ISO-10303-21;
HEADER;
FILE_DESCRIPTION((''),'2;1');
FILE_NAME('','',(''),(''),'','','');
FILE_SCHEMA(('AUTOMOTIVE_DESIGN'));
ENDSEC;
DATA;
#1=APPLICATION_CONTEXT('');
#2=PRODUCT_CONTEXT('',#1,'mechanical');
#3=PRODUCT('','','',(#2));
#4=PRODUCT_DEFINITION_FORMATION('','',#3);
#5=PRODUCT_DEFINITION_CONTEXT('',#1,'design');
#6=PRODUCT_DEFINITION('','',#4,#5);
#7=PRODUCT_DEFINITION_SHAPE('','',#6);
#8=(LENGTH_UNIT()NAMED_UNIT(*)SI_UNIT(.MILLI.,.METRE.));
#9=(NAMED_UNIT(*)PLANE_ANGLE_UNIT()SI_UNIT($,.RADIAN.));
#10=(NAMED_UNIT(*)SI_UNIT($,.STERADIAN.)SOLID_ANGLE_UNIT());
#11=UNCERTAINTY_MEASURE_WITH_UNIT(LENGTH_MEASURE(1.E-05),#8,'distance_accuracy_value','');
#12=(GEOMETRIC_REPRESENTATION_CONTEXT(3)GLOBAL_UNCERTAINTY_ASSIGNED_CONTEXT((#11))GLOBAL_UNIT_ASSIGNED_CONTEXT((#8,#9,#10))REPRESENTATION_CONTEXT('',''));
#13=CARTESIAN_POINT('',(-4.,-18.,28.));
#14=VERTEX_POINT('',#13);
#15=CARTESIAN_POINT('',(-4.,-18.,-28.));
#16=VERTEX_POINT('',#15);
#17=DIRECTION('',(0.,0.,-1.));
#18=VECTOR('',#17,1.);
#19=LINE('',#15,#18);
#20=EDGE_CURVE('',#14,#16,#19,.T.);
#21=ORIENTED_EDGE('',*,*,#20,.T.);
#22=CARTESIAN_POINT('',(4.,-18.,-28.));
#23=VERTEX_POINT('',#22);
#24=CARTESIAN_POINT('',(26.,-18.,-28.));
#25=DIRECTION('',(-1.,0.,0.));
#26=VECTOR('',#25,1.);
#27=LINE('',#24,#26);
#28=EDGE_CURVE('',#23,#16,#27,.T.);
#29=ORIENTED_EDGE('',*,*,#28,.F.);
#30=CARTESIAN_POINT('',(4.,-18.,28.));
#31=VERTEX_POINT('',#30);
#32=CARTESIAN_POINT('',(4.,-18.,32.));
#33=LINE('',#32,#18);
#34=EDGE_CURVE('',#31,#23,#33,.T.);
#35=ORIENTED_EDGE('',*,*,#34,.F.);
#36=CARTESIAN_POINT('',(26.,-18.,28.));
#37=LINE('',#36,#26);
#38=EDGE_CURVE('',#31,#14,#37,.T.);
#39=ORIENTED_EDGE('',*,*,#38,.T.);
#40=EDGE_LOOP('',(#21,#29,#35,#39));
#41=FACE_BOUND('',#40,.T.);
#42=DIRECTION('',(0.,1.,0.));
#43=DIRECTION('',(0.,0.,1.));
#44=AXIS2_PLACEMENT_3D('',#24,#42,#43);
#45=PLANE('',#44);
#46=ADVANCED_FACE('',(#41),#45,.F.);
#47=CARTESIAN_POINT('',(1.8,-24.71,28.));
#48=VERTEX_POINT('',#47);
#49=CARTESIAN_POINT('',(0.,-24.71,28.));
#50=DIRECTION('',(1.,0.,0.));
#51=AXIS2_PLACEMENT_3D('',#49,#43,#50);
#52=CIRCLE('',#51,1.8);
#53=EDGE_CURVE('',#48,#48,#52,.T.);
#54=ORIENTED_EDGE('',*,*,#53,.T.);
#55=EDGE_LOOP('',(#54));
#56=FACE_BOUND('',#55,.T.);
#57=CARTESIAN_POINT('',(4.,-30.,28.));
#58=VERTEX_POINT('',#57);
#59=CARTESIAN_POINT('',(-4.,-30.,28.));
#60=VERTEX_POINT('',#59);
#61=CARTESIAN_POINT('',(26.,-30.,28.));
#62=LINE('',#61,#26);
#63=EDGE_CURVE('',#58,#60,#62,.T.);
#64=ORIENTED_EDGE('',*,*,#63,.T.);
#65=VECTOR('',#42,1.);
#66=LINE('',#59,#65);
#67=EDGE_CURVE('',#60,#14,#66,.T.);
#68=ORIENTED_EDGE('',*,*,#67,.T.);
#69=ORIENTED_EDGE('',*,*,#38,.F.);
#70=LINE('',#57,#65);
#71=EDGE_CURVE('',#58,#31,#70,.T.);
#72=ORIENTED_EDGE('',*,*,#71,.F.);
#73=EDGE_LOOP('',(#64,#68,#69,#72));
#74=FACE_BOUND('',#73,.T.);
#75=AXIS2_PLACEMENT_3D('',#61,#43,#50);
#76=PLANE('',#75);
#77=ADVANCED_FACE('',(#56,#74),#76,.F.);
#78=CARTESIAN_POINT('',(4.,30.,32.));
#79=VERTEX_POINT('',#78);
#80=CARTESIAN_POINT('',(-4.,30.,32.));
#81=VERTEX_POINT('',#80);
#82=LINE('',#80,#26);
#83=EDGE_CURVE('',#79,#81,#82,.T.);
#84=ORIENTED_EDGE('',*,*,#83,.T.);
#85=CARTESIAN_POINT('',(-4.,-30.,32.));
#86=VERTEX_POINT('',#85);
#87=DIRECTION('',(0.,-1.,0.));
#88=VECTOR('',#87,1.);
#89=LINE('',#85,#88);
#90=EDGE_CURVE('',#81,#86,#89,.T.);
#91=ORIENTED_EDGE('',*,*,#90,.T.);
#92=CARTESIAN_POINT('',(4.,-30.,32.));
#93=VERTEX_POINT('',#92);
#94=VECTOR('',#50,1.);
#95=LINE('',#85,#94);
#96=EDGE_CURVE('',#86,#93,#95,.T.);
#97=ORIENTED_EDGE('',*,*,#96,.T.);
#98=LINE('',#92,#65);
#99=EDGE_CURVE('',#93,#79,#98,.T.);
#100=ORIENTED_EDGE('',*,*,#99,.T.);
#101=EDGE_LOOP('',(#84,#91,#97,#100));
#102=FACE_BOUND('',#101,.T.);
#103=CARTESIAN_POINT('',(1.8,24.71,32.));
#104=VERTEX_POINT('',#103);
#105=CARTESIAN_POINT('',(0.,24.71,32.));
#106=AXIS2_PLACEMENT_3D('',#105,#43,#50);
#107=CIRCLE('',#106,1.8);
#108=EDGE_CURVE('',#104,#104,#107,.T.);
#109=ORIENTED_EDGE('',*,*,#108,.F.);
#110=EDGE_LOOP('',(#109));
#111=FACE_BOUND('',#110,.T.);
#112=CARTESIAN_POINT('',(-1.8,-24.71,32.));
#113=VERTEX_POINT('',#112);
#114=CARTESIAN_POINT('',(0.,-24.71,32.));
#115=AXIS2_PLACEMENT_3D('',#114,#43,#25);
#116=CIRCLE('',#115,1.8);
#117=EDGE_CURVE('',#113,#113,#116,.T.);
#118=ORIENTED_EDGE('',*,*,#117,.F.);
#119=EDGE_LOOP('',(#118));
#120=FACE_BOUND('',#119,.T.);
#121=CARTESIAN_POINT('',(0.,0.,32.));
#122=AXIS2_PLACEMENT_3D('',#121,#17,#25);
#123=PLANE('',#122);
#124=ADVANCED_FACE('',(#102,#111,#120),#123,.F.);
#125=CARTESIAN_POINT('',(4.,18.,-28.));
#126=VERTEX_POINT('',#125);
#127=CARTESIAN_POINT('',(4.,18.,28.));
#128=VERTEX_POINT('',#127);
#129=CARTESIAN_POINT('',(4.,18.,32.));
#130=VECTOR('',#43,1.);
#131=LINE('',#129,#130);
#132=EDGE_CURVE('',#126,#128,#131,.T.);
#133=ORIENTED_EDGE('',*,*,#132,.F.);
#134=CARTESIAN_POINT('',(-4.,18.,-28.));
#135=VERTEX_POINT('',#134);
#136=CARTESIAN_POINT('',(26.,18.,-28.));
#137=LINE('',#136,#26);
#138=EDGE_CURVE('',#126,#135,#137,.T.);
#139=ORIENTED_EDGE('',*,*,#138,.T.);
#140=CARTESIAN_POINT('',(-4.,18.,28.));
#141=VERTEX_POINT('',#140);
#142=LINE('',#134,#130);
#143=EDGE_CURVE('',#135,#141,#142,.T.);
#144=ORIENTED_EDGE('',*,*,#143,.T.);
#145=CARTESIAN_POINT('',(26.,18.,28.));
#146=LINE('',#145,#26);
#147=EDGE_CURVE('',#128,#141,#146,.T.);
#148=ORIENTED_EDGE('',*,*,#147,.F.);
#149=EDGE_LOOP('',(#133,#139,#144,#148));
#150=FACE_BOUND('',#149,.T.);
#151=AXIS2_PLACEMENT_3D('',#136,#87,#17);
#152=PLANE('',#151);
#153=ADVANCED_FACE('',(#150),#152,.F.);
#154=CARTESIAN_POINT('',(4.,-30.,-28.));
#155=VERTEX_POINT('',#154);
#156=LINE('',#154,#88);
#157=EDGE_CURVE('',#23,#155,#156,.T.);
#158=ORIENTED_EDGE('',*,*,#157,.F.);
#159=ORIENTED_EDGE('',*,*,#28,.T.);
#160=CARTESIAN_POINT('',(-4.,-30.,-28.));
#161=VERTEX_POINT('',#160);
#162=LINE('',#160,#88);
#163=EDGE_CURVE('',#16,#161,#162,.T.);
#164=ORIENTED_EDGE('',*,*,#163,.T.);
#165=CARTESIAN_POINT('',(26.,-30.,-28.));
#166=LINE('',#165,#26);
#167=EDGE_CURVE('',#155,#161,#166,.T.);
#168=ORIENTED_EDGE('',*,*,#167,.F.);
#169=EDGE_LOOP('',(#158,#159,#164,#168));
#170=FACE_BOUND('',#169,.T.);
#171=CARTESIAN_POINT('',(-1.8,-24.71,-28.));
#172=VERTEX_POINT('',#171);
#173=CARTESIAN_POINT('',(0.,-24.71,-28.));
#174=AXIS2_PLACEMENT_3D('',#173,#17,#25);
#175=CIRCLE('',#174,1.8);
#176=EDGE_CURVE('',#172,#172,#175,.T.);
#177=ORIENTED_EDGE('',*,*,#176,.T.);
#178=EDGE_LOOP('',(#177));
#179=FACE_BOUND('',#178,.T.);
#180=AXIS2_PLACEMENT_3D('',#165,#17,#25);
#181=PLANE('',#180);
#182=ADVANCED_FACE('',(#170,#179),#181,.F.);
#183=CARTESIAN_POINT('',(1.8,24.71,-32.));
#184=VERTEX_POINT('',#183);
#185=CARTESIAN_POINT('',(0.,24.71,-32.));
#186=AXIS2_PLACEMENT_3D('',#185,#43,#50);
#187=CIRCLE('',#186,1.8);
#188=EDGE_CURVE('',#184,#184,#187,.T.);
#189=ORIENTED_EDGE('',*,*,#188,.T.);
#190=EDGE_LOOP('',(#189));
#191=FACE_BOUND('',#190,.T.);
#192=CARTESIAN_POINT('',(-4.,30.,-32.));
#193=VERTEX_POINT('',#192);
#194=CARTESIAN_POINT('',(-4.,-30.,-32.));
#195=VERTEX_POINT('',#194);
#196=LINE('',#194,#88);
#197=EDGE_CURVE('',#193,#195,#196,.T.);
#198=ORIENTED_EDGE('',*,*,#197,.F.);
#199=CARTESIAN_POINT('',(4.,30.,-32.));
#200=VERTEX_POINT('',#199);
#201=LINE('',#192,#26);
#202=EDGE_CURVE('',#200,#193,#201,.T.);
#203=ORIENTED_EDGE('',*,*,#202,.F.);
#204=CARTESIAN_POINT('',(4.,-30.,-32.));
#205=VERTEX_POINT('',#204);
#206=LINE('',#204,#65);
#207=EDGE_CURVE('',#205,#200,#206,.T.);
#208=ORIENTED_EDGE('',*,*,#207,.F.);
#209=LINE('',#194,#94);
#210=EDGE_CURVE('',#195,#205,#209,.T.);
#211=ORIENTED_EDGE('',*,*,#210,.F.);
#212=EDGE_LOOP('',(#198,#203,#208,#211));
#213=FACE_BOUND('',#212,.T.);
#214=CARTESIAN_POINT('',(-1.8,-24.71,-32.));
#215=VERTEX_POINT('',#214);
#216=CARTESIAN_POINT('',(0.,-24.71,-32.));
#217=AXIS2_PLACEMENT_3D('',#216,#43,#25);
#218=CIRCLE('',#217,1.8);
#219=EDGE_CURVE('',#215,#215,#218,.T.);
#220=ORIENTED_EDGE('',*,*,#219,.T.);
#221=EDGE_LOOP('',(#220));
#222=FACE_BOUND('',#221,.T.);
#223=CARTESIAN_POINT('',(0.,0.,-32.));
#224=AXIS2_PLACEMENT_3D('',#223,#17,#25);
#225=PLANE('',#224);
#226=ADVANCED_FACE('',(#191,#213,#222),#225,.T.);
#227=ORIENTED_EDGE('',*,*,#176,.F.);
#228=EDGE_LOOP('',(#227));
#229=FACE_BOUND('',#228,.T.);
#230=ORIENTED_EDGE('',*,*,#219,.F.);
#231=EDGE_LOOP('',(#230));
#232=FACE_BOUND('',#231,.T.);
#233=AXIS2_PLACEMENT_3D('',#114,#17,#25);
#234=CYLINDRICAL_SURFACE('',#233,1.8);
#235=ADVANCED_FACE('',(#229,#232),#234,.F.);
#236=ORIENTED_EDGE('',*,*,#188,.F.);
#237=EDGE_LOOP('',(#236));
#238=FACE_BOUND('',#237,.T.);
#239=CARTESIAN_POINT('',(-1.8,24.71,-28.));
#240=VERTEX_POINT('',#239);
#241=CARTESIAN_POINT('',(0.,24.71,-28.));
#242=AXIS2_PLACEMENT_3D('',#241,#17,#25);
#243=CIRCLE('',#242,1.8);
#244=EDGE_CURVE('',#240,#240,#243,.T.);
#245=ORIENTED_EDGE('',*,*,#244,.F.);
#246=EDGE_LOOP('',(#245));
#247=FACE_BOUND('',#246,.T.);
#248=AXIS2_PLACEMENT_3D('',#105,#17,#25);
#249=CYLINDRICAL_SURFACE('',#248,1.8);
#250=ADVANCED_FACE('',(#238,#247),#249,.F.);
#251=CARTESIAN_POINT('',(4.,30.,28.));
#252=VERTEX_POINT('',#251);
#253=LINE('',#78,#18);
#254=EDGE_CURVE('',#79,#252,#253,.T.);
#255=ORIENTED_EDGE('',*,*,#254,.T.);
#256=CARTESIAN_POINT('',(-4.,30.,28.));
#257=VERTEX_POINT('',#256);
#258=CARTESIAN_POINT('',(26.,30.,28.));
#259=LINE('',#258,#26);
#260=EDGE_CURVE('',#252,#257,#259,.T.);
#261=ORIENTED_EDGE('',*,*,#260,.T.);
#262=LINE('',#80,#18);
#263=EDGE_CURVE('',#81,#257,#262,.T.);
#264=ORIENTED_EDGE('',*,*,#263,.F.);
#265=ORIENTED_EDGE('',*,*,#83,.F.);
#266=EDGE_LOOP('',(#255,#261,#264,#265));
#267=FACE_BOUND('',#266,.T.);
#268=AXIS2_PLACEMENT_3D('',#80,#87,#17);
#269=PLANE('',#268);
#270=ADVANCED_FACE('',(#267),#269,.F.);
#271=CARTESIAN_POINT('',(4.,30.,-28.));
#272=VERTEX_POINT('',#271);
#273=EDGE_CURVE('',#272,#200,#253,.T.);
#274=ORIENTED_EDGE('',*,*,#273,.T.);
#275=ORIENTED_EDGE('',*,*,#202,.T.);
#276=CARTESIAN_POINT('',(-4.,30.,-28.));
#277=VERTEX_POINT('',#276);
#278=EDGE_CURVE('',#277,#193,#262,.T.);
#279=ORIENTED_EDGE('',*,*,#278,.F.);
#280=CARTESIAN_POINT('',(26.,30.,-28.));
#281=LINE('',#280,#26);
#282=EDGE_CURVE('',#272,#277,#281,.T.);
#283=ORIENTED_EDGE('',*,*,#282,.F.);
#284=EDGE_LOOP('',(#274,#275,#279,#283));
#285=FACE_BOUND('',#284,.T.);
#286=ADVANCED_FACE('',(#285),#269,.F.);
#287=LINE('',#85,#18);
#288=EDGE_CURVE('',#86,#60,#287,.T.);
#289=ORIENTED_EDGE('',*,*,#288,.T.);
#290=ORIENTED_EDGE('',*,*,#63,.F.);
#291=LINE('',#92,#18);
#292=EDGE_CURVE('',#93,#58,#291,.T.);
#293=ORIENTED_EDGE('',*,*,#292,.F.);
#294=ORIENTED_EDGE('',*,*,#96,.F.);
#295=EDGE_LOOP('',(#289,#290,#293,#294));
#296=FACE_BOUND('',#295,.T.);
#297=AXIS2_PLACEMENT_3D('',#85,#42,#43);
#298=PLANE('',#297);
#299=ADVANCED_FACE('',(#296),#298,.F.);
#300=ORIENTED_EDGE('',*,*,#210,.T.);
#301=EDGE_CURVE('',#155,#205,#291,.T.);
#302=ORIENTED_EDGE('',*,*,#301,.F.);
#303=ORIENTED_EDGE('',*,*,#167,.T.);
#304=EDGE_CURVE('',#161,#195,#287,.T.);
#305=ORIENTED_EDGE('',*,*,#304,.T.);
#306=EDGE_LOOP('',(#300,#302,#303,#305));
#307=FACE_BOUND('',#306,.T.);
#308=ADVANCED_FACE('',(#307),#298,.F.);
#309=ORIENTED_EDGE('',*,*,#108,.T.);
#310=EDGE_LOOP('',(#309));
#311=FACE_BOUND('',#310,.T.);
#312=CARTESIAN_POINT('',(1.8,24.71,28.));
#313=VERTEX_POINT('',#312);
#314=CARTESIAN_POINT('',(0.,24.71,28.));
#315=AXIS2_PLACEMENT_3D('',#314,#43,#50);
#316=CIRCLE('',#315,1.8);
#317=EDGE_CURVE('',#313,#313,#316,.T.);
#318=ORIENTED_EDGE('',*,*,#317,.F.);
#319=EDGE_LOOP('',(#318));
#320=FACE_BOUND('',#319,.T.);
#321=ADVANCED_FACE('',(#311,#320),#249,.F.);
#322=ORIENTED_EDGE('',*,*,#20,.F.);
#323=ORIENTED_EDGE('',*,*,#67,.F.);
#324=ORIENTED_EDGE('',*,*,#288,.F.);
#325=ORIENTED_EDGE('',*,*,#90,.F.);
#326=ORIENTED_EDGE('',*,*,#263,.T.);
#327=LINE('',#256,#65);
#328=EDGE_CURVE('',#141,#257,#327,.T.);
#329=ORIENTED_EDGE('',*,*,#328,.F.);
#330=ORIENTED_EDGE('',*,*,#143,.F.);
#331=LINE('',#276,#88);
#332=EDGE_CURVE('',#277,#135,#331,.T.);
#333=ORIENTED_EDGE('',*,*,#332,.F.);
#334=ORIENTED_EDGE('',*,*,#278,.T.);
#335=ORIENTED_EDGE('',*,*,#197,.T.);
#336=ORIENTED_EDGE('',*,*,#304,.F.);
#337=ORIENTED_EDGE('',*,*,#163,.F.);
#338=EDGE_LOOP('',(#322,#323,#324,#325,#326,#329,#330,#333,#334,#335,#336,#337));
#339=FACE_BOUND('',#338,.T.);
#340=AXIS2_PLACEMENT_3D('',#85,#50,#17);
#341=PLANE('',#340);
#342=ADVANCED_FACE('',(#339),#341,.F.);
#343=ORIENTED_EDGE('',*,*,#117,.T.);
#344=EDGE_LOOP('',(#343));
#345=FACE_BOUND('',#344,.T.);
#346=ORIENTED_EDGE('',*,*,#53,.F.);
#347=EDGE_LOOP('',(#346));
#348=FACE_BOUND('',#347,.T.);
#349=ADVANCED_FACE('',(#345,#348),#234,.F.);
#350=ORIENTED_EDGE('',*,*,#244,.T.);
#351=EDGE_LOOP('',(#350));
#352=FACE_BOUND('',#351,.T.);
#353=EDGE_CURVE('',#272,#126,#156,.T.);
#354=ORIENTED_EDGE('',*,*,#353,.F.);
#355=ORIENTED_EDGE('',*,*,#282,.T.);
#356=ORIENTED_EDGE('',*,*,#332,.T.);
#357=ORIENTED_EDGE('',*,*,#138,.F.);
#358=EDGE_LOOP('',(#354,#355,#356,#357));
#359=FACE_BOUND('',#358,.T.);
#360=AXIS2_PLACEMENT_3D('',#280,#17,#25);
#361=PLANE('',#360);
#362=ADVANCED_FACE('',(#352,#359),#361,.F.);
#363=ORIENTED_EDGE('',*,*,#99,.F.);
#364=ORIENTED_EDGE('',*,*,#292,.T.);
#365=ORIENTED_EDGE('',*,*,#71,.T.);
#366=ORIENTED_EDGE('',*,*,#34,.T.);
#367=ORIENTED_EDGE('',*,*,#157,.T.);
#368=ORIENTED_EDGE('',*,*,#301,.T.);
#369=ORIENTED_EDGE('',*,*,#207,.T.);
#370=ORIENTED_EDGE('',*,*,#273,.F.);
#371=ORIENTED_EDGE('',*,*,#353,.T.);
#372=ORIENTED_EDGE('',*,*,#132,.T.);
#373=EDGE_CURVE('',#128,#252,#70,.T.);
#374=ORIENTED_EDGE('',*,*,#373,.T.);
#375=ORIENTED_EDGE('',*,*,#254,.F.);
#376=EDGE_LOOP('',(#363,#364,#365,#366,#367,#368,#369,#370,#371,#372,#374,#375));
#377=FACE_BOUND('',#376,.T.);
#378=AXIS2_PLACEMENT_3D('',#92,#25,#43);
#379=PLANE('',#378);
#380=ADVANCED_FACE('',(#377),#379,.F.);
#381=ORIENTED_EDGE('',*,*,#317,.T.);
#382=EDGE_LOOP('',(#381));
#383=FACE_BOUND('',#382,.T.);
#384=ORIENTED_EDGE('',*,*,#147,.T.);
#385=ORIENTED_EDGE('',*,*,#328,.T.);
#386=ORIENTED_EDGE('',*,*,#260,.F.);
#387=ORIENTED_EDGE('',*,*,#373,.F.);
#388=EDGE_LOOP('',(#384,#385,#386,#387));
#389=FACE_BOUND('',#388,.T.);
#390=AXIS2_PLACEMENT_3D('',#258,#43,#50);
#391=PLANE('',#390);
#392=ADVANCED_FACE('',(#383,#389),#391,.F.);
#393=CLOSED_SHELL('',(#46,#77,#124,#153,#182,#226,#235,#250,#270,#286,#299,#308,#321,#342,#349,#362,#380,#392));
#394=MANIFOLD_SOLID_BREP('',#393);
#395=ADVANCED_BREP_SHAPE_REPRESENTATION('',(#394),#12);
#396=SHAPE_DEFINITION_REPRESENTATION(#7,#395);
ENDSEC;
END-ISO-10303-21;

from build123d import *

# Parameters (mm, degrees)
SKETCH_1_W          = 8
SKETCH_1_H          = 60
SKETCH_1_R          = 1.8
EXTRUDE_1_DEPTH     = 32
SKETCH_2_W          = 56
SKETCH_2_H          = 12
CUT_EXTRUDE_1_DEPTH = 30


with BuildPart() as part:
    # 草图1 → 凸台-拉伸1 (new, symmetric)
    with BuildSketch(Plane.XY):
        Rectangle(SKETCH_1_W, SKETCH_1_H)
        with Locations((0, 24.71)):
            Circle(SKETCH_1_R, mode=Mode.SUBTRACT)
        with Locations((0, -24.71)):
            Circle(SKETCH_1_R, mode=Mode.SUBTRACT)
    extrude(amount=EXTRUDE_1_DEPTH, both=True)

    # 草图2 → 切除-拉伸1 (cut)
    with BuildSketch(Plane.ZY.offset(4)):
        with Locations((0, 24)):
            Rectangle(SKETCH_2_W, SKETCH_2_H)
        with Locations((0, -24)):
            Rectangle(SKETCH_2_W, SKETCH_2_H)
    extrude(amount=-CUT_EXTRUDE_1_DEPTH, mode=Mode.SUBTRACT)


solid = part.part
